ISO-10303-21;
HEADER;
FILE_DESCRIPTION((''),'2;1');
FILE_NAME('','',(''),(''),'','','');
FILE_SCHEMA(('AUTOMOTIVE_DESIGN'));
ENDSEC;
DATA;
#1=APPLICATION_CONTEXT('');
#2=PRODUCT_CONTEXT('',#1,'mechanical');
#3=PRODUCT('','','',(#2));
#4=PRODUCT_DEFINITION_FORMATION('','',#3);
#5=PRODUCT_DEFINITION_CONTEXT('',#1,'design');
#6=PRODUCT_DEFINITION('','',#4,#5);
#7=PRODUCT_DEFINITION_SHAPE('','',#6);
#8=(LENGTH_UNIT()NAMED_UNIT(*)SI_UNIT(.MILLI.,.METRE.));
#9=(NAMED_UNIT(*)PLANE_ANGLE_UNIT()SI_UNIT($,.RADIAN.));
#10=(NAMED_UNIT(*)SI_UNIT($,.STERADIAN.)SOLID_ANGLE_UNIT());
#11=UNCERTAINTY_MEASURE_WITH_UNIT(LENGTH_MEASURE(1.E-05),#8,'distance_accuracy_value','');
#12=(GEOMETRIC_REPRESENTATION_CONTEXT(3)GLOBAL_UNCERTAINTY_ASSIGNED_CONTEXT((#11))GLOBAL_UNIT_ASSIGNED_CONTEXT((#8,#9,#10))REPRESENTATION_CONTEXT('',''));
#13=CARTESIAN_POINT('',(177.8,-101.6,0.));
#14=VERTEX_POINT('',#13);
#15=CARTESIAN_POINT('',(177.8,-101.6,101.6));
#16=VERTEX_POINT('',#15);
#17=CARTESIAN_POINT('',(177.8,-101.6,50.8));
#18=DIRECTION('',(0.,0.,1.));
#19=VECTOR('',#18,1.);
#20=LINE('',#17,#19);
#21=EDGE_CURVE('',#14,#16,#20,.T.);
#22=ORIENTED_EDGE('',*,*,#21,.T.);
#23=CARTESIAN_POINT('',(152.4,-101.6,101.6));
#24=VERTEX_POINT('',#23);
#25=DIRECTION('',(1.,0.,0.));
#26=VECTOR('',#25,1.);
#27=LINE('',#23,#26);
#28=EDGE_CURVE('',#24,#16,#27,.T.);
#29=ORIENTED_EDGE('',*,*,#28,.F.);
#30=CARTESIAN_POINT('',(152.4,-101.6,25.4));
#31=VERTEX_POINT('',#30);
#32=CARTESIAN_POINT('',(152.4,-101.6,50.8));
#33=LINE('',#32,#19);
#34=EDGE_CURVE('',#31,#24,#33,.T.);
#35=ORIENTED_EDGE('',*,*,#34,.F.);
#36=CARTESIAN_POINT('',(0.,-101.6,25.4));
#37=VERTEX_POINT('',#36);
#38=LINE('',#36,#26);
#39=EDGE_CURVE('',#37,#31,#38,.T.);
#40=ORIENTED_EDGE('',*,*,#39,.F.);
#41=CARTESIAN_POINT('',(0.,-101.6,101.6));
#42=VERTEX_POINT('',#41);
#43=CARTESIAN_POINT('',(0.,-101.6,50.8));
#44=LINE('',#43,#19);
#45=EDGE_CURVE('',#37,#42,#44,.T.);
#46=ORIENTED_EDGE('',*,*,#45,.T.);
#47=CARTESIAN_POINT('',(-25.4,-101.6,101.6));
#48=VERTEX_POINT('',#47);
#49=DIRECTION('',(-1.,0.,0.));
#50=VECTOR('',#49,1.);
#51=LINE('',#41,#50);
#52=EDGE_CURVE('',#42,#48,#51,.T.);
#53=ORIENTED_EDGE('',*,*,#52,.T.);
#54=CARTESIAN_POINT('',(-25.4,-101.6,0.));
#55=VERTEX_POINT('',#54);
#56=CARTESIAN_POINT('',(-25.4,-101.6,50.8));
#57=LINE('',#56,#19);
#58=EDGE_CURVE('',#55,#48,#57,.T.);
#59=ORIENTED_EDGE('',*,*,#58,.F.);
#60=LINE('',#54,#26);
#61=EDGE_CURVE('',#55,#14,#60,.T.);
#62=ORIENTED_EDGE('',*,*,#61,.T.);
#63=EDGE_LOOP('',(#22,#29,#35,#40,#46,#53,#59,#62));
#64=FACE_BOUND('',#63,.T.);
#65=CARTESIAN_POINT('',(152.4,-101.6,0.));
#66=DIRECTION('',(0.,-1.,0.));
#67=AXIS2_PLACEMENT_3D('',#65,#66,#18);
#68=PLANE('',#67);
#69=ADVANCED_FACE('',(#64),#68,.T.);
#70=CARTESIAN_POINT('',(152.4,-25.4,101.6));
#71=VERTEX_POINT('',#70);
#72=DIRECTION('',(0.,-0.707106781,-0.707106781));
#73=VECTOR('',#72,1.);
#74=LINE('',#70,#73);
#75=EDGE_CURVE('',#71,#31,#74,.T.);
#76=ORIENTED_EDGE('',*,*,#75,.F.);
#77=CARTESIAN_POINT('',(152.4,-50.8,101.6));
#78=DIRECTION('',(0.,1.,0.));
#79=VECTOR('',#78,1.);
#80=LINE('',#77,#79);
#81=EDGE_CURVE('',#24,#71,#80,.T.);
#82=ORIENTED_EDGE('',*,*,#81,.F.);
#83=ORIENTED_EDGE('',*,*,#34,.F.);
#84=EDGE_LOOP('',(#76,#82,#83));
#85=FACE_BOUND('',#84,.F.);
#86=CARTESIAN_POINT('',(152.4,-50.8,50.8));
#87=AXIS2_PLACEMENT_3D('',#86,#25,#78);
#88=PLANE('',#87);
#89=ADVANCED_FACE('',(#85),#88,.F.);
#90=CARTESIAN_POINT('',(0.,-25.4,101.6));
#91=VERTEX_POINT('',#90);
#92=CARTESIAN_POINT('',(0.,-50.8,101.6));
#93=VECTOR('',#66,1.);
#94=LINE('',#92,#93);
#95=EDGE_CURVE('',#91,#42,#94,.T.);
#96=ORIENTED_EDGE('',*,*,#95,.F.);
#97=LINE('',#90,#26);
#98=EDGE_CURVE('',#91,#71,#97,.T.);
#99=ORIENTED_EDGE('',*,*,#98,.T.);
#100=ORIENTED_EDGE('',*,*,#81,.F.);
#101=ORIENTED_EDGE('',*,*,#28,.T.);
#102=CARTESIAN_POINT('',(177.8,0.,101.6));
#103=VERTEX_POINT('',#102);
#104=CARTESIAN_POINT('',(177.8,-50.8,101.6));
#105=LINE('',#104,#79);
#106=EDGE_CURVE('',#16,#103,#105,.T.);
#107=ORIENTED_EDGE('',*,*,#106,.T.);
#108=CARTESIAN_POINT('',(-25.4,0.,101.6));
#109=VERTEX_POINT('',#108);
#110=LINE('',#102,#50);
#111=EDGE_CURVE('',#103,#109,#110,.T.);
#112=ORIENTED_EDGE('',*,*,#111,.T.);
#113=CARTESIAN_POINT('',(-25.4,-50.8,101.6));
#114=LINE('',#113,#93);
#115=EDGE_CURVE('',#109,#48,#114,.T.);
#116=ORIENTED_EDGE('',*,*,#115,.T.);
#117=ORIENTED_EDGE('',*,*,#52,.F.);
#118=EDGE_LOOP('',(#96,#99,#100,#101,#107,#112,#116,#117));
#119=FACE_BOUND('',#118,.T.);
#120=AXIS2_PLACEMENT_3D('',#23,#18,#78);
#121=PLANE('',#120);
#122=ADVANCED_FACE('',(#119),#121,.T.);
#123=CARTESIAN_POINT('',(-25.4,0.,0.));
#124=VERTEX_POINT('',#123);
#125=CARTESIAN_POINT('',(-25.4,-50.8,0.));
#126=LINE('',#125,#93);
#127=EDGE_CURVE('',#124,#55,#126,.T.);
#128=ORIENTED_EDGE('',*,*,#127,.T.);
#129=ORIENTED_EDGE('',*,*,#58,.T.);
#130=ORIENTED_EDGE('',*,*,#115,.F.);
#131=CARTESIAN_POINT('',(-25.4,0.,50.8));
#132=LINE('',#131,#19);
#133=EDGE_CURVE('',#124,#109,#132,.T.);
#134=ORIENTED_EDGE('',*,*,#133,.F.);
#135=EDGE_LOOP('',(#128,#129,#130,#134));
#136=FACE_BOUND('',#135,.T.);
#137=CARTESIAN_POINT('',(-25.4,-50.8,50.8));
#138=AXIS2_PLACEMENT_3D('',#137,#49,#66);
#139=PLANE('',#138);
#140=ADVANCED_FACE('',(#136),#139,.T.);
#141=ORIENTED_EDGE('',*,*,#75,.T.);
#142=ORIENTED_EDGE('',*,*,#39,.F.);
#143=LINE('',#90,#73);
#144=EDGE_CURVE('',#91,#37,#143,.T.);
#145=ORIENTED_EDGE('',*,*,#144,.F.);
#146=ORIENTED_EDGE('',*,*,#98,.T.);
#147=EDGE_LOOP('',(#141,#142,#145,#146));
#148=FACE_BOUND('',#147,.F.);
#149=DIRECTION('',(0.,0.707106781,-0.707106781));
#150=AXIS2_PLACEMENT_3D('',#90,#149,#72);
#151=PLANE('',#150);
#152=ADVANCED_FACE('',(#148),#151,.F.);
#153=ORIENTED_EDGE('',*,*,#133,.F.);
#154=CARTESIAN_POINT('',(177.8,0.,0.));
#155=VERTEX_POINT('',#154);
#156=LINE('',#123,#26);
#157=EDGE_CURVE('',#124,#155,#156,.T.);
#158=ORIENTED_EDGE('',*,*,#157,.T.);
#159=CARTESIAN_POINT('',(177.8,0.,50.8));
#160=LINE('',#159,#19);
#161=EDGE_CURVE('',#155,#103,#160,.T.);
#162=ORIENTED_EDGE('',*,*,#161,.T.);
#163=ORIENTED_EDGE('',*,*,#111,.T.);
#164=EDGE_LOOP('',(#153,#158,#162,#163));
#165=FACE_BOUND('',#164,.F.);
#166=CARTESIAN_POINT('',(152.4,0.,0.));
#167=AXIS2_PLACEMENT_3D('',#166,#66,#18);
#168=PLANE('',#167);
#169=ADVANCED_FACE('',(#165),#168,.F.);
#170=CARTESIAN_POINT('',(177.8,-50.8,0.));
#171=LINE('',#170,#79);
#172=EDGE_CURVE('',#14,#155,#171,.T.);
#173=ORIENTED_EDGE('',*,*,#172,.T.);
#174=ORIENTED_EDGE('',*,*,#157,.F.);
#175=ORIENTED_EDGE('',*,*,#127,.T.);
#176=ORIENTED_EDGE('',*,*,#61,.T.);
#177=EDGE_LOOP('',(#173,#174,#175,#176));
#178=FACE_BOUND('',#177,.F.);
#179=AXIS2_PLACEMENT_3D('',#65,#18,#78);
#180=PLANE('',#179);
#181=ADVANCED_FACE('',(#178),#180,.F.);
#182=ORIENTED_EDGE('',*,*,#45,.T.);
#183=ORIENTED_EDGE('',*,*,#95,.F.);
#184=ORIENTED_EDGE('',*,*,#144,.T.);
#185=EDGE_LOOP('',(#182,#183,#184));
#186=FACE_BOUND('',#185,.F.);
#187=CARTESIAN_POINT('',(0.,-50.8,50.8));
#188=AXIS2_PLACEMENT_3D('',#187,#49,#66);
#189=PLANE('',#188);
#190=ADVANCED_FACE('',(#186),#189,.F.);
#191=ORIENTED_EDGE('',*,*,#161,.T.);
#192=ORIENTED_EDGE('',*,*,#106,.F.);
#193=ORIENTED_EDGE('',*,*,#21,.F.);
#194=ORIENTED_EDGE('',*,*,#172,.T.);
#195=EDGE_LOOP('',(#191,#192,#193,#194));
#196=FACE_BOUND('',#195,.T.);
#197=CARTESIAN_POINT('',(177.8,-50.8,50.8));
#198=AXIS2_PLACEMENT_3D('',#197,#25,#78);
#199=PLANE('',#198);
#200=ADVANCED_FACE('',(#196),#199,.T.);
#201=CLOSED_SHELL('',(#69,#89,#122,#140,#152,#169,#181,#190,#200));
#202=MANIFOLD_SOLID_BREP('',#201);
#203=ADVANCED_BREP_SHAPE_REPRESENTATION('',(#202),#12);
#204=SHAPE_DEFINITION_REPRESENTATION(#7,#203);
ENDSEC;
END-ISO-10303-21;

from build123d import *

# Parameters (mm, degrees)
F1_DEPTH = 152.4
F2_W     = 101.6
F2_H     = 101.6
F3_DEPTH = 25.4
F4_W     = 101.6
F4_H     = 101.6
F5_DEPTH = 25.4


with BuildPart() as f1:
    # F0 (on Right) → F1 (new body)
    with BuildSketch(Plane.YZ):
        Polygon((-101.6, 0), (0, 0), (0, 101.6), (-25.4, 101.6), (-101.6, 25.4), align=None)
    extrude(amount=F1_DEPTH)

    # F2 (on face) → F3 (join)
    with BuildSketch(Plane(origin=(0, 0, 0), x_dir=(0, -1, 0), z_dir=(-1, 0, 0))):
        with Locations((50.8, 50.8)):
            Rectangle(F2_W, F2_H)
    extrude(amount=F3_DEPTH)

    # F4 (on face) → F5 (join)
    with BuildSketch(Plane.YZ.offset(152.4)):
        with Locations((-50.8, 50.8)):
            Rectangle(F4_W, F4_H)
    extrude(amount=F5_DEPTH)


solid = f1.part
